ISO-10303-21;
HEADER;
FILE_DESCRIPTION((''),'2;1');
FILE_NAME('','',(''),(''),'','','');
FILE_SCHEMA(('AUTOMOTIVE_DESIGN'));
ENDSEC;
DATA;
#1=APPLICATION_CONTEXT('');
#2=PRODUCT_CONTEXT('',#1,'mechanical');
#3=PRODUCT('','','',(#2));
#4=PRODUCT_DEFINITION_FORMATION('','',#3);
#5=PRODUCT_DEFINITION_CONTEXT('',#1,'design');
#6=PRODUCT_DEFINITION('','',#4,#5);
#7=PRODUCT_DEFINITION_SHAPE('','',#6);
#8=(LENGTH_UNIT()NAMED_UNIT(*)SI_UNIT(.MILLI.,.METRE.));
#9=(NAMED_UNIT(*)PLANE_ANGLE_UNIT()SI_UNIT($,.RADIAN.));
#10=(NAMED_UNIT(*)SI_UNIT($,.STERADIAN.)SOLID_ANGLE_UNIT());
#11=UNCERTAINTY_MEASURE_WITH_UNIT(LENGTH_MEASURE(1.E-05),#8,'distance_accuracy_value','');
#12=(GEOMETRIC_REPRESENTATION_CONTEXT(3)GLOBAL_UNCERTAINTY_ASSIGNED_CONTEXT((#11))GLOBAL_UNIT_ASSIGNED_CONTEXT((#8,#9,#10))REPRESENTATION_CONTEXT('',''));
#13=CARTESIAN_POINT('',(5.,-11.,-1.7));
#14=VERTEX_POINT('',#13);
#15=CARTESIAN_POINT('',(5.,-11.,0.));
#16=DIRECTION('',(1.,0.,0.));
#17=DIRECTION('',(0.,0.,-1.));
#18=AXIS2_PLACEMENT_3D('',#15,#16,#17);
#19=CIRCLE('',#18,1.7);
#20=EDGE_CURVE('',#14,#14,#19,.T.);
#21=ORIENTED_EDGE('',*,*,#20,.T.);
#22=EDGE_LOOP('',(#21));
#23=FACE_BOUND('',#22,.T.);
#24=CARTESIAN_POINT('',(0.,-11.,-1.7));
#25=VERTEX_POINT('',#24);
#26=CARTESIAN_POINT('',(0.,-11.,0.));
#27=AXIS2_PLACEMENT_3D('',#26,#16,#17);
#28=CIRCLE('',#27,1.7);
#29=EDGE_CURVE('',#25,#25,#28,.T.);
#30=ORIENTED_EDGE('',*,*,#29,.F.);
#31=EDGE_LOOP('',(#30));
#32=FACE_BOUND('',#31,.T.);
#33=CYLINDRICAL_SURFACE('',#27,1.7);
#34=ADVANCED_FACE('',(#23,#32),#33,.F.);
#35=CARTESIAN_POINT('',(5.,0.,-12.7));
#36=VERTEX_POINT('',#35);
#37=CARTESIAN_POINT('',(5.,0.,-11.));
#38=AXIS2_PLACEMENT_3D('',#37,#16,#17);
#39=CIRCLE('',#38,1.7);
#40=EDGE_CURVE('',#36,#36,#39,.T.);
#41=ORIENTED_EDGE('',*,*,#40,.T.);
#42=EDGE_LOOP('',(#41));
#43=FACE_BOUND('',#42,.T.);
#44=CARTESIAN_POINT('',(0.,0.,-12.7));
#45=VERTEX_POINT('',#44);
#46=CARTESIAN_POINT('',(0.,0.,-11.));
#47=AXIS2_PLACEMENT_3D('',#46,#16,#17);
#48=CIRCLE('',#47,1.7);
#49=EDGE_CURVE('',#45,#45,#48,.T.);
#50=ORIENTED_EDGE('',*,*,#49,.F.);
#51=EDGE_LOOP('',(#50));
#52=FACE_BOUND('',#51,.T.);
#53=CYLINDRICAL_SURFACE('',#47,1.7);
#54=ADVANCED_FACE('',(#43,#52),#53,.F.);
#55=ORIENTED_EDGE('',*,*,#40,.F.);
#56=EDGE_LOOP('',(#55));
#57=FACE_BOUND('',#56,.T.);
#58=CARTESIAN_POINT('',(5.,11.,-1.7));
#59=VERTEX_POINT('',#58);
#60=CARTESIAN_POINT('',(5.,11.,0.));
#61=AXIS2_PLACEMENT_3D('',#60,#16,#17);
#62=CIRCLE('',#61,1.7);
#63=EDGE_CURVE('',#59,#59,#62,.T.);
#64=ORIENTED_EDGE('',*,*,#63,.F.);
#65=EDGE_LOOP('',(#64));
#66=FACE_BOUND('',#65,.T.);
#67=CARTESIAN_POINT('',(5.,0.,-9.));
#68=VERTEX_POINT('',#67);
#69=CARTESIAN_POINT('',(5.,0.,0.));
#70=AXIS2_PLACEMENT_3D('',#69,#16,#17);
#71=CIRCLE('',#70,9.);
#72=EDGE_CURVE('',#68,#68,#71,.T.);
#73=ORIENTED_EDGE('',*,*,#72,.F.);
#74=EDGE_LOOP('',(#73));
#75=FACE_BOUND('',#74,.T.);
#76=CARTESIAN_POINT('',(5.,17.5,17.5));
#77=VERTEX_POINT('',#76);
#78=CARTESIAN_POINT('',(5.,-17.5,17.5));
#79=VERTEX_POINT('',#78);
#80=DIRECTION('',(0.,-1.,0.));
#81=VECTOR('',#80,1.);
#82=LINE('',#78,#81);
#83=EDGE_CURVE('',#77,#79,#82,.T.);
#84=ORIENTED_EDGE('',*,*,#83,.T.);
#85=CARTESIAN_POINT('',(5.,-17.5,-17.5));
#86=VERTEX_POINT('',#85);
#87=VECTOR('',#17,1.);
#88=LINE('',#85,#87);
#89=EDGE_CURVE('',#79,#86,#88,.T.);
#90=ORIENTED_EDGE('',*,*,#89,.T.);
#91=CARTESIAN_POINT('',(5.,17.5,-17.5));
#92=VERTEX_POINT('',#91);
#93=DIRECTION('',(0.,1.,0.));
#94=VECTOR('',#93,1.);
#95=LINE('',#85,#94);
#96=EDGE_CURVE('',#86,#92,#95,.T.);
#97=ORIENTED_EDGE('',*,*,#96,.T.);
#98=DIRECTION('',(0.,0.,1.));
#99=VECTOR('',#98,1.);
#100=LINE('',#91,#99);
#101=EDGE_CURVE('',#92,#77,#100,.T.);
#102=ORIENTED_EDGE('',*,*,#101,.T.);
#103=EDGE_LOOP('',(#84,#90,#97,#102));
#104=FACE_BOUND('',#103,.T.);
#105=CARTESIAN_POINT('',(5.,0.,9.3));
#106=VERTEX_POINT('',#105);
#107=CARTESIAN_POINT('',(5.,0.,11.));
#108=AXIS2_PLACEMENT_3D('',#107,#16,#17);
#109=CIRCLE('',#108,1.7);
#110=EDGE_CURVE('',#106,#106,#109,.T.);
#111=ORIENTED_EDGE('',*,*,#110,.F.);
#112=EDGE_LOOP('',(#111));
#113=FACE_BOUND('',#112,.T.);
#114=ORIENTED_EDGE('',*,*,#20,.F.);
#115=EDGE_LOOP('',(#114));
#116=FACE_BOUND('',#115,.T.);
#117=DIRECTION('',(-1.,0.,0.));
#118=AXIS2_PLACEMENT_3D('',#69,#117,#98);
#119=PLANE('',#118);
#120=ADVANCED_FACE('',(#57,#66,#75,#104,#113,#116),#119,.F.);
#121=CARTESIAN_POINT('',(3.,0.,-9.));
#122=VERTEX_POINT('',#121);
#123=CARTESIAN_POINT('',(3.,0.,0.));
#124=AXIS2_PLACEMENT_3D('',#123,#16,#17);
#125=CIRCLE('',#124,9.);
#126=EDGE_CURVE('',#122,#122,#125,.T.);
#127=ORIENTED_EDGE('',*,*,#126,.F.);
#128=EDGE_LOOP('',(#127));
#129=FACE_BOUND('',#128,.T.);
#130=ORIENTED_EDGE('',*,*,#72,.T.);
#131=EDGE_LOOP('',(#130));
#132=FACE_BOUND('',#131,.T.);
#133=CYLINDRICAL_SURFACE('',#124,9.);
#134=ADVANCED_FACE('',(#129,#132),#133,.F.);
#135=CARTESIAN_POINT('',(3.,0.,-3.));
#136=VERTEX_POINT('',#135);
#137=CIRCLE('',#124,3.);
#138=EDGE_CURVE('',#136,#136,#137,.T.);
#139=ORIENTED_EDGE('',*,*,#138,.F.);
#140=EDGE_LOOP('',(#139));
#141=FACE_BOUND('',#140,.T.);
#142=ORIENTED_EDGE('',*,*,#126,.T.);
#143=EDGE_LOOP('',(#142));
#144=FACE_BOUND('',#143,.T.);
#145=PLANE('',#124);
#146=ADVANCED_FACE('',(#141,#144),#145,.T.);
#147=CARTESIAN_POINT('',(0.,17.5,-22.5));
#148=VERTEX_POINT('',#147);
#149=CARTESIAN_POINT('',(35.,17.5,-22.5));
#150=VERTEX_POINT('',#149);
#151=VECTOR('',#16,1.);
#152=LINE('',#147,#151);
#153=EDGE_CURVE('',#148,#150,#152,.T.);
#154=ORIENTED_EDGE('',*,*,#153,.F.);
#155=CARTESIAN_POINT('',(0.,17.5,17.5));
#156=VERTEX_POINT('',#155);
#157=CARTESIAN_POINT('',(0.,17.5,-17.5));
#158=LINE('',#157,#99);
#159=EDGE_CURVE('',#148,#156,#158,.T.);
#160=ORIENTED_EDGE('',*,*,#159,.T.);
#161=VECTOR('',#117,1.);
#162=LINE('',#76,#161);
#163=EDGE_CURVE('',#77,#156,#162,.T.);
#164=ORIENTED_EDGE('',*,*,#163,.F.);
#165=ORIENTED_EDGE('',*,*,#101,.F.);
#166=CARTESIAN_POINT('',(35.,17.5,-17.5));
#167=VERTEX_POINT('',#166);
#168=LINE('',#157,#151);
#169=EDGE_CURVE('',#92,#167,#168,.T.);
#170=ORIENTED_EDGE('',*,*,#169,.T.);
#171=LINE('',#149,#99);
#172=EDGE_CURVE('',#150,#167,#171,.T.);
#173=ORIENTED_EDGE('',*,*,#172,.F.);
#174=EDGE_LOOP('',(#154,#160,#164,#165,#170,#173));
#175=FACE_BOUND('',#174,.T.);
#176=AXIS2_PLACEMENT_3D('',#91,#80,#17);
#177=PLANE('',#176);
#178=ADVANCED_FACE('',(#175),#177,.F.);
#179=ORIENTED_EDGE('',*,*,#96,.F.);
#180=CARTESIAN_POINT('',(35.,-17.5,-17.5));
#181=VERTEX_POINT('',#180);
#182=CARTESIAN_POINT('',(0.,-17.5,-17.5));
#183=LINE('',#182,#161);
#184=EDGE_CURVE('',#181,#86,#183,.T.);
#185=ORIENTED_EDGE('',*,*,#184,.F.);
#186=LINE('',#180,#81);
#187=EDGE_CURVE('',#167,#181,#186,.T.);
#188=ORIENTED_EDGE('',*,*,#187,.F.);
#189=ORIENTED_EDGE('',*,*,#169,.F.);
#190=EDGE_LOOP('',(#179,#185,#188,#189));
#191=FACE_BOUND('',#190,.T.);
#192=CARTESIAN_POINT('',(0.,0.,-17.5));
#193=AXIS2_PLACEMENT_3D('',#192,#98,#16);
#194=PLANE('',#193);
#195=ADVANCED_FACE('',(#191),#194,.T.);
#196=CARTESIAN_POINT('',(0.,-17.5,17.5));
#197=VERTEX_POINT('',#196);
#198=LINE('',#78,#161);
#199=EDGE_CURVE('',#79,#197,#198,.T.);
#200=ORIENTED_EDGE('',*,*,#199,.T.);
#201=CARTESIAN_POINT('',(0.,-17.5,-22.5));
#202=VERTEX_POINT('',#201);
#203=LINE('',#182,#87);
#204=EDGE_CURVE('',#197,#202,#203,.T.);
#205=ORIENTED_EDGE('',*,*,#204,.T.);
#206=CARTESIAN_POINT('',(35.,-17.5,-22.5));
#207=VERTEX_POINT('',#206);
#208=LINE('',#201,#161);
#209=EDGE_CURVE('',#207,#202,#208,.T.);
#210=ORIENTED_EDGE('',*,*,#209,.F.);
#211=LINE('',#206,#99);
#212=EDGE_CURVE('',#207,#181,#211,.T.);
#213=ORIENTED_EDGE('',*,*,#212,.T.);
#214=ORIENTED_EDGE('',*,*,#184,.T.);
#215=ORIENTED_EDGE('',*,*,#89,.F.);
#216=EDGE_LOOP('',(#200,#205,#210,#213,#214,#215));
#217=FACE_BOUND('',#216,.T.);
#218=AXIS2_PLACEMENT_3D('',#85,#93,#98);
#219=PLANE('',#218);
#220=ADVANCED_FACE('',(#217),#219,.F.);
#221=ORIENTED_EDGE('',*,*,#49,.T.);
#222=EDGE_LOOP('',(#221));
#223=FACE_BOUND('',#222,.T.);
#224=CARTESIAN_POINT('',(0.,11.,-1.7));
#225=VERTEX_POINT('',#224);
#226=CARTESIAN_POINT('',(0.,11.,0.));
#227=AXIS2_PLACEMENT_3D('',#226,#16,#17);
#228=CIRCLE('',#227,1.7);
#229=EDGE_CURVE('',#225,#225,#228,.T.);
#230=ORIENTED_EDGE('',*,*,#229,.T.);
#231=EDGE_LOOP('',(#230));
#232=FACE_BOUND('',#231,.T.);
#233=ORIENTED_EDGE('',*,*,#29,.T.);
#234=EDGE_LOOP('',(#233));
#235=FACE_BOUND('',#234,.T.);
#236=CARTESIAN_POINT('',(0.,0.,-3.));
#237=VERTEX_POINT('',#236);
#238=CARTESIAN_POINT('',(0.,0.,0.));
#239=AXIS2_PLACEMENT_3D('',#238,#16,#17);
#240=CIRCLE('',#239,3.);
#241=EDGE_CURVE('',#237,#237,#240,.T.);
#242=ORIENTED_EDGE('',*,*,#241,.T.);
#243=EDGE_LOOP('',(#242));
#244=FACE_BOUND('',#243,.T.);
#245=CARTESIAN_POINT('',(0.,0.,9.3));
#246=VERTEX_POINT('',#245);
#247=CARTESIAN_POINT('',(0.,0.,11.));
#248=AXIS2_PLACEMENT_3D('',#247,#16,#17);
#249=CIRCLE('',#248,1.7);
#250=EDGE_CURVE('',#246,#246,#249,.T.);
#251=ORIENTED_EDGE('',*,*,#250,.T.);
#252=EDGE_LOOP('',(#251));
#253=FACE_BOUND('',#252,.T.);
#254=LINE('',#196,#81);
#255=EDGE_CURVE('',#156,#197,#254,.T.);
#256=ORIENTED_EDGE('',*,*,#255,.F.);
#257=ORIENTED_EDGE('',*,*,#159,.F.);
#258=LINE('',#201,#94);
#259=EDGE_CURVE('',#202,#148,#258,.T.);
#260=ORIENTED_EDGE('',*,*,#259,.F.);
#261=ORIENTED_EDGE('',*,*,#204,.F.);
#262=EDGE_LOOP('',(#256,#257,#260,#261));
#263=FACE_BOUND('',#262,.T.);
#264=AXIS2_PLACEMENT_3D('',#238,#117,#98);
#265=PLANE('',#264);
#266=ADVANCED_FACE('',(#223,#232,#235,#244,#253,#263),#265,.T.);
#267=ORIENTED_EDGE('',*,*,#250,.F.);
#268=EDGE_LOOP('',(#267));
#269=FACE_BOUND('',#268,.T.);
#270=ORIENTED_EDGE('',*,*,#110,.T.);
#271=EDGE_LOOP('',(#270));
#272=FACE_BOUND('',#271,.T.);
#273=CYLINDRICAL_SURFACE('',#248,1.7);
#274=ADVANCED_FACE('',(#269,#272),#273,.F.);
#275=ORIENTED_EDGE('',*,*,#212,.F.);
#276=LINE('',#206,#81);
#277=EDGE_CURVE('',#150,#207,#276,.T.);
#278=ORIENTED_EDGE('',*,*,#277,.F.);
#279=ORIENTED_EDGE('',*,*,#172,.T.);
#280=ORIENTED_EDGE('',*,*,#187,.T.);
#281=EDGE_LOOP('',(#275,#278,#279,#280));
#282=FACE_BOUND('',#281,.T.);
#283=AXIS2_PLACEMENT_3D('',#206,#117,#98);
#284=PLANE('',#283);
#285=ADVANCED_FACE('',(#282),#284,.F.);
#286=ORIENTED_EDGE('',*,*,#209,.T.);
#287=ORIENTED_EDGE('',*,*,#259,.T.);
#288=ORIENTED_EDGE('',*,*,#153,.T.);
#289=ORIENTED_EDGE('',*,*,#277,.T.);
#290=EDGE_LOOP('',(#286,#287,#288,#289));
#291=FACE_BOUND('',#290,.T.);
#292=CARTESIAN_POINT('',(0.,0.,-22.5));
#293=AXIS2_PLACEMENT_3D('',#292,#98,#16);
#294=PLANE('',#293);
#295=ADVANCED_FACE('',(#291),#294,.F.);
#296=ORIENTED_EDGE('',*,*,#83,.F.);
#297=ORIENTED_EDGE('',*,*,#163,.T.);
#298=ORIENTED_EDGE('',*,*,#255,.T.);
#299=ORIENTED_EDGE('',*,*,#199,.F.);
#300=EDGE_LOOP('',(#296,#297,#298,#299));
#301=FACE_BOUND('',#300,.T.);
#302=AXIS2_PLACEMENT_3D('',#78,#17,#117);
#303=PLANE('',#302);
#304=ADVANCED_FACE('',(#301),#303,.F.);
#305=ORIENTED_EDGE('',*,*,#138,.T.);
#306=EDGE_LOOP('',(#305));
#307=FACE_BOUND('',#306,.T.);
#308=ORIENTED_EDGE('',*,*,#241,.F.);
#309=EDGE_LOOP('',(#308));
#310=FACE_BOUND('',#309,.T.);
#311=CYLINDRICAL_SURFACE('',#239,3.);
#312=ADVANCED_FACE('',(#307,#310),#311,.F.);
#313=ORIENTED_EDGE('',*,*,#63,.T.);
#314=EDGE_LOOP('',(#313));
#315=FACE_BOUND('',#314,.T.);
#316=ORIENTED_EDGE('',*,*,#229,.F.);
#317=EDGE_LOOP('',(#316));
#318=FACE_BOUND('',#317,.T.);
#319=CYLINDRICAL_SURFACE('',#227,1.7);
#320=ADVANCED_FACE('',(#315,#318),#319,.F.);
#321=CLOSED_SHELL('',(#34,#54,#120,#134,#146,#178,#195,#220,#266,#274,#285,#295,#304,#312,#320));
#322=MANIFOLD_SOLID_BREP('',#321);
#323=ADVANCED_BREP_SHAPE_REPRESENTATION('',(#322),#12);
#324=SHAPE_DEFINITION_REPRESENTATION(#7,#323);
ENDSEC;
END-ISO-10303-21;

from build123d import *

# Parameters (mm, degrees)
SKETCH3_W           = 35
SKETCH3_H           = 35
BOSS_EXTRUDE1_DEPTH = 5
SKETCH4_R           = 9
CUT_EXTRUDE1_DEPTH  = 2
SKETCH5_R           = 3
CUT_EXTRUDE2_DEPTH  = 25.929901725
SKETCH6_R           = 1.7
CUT_EXTRUDE3_DEPTH  = 26.248762346
SKETCH8_W           = 35
SKETCH8_H           = 35
BOSS_EXTRUDE2_DEPTH = 5


with BuildPart() as part:
    # Sketch3 → Boss-Extrude1 (new body)
    with BuildSketch(Plane.YZ):
        Rectangle(SKETCH3_W, SKETCH3_H)
    extrude(amount=BOSS_EXTRUDE1_DEPTH)

    # Sketch4 → Cut-Extrude1 (cut)
    with BuildSketch(Plane.YZ.offset(5)):
        with Locations(Location((0, 0, 0), (0, 0, 270))):
            Circle(SKETCH4_R)
    extrude(amount=-CUT_EXTRUDE1_DEPTH, mode=Mode.SUBTRACT)

    # Sketch5 → Cut-Extrude2 (cut, through all)
    with BuildSketch(Plane.YZ.offset(3)):
        with Locations(Location((0, 0, 0), (0, 0, 270))):
            Circle(SKETCH5_R)
    extrude(amount=-CUT_EXTRUDE2_DEPTH, mode=Mode.SUBTRACT)

    # Sketch6 → Cut-Extrude3 (cut, through all)
    with BuildSketch(Plane.YZ.offset(5)):
        with Locations(Location((0, 11, 0), (0, 0, 270))):
            Circle(SKETCH6_R)
        with Locations(Location((-11, 0, 0), (0, 0, 270))):
            Circle(SKETCH6_R)
        with Locations(Location((0, -11, 0), (0, 0, 270))):
            Circle(SKETCH6_R)
        with Locations(Location((11, 0, 0), (0, 0, 270))):
            Circle(SKETCH6_R)
    extrude(amount=-CUT_EXTRUDE3_DEPTH, mode=Mode.SUBTRACT)

    # Sketch8 → Boss-Extrude2 (add)
    with BuildSketch(Plane(origin=(0, 0, -17.5), x_dir=(1, 0, 0), z_dir=(0, 0, -1))):
        with Locations((17.5, 0)):
            Rectangle(SKETCH8_W, SKETCH8_H)
    extrude(amount=BOSS_EXTRUDE2_DEPTH)


solid = part.part
